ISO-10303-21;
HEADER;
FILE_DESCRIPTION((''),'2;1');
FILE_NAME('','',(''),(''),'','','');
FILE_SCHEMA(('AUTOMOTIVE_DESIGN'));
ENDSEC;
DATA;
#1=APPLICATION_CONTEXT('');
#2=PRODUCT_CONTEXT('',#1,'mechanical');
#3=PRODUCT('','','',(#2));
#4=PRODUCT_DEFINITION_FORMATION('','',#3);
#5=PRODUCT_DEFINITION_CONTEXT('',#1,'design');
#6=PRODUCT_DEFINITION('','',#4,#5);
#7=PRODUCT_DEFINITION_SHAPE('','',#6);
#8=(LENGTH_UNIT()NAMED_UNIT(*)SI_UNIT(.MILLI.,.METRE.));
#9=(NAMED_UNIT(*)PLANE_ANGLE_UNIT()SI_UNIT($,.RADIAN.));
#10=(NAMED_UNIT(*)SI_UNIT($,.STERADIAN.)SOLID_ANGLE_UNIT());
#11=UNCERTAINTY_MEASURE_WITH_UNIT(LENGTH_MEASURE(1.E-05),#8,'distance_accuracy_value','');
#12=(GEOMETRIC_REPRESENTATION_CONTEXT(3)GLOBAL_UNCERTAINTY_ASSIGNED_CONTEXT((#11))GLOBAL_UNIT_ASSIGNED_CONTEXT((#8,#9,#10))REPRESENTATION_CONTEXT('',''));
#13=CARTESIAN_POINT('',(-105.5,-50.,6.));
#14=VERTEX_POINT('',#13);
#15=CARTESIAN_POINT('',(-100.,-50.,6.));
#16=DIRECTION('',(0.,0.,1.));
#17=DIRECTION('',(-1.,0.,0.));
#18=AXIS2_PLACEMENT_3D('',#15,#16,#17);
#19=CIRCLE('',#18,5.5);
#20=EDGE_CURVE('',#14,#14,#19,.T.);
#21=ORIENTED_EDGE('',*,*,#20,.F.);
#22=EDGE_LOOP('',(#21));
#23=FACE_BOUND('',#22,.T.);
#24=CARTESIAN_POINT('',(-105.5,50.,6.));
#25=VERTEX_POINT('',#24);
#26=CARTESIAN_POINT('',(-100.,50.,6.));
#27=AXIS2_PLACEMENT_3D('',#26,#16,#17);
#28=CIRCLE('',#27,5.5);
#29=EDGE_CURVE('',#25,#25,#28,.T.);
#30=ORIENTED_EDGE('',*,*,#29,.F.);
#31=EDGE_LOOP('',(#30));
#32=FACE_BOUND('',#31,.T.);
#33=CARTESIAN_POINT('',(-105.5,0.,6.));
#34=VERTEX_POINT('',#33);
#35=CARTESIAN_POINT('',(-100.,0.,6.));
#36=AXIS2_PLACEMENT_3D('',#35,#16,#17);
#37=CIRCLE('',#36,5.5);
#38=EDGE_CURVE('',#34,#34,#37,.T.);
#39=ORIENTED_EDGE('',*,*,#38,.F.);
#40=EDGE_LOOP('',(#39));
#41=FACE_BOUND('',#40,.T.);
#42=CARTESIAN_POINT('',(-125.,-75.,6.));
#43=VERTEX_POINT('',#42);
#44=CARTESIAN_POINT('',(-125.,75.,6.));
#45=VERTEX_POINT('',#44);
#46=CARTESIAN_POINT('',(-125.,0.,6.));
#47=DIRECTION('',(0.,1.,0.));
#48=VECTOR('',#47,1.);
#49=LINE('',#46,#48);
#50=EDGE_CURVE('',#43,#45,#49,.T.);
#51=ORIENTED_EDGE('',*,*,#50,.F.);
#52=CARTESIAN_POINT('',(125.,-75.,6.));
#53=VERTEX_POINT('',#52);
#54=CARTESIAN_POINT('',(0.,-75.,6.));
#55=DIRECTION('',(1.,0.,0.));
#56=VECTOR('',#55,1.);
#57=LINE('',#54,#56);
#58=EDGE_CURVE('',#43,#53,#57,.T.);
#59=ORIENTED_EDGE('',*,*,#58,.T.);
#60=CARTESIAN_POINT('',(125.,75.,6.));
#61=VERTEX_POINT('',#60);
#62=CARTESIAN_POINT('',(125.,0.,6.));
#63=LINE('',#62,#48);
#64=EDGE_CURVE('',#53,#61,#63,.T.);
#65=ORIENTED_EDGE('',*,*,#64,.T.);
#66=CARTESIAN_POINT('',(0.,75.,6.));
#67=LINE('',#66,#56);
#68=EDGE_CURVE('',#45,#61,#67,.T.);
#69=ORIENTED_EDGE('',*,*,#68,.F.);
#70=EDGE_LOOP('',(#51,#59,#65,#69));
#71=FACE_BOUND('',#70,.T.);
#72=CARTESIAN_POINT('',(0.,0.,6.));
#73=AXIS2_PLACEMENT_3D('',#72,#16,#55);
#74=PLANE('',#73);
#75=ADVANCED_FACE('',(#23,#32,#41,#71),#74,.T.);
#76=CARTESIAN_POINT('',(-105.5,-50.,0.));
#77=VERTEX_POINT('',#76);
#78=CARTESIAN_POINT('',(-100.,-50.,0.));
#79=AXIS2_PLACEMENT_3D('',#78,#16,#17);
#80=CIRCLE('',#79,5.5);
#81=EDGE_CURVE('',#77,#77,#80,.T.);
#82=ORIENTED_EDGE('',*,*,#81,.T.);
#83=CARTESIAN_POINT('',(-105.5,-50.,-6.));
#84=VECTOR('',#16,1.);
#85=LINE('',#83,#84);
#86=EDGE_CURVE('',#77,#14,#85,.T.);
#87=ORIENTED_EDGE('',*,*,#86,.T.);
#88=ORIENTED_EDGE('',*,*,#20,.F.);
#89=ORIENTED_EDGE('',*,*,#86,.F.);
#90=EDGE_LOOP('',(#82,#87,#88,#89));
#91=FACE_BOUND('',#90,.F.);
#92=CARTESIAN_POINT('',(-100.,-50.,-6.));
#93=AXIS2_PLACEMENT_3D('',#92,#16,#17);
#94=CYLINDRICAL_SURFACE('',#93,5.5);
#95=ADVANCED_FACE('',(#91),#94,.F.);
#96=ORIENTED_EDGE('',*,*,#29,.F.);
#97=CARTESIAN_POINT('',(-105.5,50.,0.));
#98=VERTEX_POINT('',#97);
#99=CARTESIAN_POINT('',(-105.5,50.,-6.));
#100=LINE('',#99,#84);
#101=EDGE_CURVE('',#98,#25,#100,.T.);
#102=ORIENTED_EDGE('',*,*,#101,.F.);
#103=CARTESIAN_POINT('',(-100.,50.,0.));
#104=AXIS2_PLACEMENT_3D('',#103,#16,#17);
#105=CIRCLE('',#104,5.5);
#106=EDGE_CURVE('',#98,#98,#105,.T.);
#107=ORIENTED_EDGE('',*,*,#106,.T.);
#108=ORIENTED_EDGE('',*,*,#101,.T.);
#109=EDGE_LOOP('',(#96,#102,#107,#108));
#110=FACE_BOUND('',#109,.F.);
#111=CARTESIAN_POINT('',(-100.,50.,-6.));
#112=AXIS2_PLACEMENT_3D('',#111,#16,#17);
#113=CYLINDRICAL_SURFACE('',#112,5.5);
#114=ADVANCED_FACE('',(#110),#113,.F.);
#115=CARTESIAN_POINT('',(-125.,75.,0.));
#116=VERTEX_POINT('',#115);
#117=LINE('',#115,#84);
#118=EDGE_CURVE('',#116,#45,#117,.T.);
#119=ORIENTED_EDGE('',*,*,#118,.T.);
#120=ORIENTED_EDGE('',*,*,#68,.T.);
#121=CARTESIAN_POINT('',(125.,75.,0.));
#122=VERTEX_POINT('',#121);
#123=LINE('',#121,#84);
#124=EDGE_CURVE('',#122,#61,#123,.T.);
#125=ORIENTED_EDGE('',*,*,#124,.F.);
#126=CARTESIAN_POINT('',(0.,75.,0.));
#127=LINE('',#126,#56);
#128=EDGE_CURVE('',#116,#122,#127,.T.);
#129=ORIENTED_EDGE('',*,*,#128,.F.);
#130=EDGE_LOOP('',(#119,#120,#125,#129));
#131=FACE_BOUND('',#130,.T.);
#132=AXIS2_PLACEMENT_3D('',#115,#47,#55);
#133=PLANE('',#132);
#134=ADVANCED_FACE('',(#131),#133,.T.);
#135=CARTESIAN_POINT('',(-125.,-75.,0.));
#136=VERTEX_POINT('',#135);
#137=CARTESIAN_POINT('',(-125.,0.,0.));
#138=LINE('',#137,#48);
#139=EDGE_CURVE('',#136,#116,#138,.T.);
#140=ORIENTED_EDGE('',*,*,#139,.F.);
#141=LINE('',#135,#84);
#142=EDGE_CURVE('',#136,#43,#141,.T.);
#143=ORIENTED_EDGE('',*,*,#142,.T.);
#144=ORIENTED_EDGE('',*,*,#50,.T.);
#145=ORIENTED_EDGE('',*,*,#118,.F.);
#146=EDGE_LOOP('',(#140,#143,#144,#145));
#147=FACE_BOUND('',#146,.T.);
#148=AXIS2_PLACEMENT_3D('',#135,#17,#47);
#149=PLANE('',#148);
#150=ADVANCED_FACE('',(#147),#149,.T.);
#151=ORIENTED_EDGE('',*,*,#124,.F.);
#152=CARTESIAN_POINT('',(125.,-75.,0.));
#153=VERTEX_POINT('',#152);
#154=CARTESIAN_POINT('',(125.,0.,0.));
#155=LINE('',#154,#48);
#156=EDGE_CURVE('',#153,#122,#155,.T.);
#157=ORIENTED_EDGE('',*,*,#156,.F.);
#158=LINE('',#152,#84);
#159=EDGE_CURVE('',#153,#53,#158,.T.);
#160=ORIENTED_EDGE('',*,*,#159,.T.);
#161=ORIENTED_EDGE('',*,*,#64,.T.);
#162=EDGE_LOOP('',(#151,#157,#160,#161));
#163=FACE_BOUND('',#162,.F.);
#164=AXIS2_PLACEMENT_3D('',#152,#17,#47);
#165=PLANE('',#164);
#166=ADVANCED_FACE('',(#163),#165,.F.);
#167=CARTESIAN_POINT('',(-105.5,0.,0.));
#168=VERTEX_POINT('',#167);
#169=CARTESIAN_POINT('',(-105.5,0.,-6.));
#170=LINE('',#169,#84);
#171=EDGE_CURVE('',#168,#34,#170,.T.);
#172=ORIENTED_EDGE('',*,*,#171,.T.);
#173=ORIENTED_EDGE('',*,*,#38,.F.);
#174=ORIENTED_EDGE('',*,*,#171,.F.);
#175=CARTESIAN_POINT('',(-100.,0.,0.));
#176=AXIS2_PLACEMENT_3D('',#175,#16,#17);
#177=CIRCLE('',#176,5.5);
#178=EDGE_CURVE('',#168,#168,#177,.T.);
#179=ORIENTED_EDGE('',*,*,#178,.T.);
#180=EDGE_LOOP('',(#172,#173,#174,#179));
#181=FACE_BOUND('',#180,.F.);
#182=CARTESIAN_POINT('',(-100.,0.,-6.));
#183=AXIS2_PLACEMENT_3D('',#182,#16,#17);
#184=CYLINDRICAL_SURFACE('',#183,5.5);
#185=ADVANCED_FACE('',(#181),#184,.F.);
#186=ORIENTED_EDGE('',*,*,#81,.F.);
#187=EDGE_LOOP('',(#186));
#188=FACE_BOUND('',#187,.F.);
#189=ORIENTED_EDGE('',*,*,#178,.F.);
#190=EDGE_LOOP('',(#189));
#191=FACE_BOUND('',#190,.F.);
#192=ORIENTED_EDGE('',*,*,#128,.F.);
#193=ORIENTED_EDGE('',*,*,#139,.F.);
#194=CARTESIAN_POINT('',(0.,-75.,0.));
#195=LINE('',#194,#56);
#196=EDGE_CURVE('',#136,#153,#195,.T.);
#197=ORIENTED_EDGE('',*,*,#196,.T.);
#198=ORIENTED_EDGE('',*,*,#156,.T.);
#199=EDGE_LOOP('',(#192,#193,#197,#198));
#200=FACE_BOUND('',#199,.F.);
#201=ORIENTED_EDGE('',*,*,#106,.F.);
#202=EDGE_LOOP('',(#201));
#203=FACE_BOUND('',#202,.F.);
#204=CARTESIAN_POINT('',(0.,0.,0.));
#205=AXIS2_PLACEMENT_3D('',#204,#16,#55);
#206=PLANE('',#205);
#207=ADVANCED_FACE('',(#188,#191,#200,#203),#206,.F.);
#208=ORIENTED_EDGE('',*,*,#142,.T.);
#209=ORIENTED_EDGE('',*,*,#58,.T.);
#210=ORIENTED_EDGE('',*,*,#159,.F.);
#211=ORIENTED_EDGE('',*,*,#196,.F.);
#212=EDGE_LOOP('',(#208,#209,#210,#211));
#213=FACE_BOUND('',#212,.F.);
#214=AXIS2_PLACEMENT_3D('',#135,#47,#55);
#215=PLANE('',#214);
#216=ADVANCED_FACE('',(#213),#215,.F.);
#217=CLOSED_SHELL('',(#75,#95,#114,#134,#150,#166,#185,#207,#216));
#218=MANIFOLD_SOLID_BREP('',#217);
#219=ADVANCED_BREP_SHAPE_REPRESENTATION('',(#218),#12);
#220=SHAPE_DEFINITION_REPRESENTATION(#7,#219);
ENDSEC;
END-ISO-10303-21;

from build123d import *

# Parameters (mm, degrees)
F0_W     = 250
F0_H     = 150
F1_DEPTH = 6
F2_D     = 11
F2_DEPTH = 6


with BuildPart() as f1:
    # F0 (on Top) → F1 (new body)
    with BuildSketch(Plane.XY):
        Rectangle(F0_W, F0_H)
    extrude(amount=F1_DEPTH)

    # F2
    with Locations(Plane(origin=(0, 0, 0), x_dir=(1, 0, 0), z_dir=(0, 0, -1))):
        with Locations((-100, 50), (-100, 0), (-100, -50)):
            Hole(F2_D / 2, depth=F2_DEPTH)


solid = f1.part
